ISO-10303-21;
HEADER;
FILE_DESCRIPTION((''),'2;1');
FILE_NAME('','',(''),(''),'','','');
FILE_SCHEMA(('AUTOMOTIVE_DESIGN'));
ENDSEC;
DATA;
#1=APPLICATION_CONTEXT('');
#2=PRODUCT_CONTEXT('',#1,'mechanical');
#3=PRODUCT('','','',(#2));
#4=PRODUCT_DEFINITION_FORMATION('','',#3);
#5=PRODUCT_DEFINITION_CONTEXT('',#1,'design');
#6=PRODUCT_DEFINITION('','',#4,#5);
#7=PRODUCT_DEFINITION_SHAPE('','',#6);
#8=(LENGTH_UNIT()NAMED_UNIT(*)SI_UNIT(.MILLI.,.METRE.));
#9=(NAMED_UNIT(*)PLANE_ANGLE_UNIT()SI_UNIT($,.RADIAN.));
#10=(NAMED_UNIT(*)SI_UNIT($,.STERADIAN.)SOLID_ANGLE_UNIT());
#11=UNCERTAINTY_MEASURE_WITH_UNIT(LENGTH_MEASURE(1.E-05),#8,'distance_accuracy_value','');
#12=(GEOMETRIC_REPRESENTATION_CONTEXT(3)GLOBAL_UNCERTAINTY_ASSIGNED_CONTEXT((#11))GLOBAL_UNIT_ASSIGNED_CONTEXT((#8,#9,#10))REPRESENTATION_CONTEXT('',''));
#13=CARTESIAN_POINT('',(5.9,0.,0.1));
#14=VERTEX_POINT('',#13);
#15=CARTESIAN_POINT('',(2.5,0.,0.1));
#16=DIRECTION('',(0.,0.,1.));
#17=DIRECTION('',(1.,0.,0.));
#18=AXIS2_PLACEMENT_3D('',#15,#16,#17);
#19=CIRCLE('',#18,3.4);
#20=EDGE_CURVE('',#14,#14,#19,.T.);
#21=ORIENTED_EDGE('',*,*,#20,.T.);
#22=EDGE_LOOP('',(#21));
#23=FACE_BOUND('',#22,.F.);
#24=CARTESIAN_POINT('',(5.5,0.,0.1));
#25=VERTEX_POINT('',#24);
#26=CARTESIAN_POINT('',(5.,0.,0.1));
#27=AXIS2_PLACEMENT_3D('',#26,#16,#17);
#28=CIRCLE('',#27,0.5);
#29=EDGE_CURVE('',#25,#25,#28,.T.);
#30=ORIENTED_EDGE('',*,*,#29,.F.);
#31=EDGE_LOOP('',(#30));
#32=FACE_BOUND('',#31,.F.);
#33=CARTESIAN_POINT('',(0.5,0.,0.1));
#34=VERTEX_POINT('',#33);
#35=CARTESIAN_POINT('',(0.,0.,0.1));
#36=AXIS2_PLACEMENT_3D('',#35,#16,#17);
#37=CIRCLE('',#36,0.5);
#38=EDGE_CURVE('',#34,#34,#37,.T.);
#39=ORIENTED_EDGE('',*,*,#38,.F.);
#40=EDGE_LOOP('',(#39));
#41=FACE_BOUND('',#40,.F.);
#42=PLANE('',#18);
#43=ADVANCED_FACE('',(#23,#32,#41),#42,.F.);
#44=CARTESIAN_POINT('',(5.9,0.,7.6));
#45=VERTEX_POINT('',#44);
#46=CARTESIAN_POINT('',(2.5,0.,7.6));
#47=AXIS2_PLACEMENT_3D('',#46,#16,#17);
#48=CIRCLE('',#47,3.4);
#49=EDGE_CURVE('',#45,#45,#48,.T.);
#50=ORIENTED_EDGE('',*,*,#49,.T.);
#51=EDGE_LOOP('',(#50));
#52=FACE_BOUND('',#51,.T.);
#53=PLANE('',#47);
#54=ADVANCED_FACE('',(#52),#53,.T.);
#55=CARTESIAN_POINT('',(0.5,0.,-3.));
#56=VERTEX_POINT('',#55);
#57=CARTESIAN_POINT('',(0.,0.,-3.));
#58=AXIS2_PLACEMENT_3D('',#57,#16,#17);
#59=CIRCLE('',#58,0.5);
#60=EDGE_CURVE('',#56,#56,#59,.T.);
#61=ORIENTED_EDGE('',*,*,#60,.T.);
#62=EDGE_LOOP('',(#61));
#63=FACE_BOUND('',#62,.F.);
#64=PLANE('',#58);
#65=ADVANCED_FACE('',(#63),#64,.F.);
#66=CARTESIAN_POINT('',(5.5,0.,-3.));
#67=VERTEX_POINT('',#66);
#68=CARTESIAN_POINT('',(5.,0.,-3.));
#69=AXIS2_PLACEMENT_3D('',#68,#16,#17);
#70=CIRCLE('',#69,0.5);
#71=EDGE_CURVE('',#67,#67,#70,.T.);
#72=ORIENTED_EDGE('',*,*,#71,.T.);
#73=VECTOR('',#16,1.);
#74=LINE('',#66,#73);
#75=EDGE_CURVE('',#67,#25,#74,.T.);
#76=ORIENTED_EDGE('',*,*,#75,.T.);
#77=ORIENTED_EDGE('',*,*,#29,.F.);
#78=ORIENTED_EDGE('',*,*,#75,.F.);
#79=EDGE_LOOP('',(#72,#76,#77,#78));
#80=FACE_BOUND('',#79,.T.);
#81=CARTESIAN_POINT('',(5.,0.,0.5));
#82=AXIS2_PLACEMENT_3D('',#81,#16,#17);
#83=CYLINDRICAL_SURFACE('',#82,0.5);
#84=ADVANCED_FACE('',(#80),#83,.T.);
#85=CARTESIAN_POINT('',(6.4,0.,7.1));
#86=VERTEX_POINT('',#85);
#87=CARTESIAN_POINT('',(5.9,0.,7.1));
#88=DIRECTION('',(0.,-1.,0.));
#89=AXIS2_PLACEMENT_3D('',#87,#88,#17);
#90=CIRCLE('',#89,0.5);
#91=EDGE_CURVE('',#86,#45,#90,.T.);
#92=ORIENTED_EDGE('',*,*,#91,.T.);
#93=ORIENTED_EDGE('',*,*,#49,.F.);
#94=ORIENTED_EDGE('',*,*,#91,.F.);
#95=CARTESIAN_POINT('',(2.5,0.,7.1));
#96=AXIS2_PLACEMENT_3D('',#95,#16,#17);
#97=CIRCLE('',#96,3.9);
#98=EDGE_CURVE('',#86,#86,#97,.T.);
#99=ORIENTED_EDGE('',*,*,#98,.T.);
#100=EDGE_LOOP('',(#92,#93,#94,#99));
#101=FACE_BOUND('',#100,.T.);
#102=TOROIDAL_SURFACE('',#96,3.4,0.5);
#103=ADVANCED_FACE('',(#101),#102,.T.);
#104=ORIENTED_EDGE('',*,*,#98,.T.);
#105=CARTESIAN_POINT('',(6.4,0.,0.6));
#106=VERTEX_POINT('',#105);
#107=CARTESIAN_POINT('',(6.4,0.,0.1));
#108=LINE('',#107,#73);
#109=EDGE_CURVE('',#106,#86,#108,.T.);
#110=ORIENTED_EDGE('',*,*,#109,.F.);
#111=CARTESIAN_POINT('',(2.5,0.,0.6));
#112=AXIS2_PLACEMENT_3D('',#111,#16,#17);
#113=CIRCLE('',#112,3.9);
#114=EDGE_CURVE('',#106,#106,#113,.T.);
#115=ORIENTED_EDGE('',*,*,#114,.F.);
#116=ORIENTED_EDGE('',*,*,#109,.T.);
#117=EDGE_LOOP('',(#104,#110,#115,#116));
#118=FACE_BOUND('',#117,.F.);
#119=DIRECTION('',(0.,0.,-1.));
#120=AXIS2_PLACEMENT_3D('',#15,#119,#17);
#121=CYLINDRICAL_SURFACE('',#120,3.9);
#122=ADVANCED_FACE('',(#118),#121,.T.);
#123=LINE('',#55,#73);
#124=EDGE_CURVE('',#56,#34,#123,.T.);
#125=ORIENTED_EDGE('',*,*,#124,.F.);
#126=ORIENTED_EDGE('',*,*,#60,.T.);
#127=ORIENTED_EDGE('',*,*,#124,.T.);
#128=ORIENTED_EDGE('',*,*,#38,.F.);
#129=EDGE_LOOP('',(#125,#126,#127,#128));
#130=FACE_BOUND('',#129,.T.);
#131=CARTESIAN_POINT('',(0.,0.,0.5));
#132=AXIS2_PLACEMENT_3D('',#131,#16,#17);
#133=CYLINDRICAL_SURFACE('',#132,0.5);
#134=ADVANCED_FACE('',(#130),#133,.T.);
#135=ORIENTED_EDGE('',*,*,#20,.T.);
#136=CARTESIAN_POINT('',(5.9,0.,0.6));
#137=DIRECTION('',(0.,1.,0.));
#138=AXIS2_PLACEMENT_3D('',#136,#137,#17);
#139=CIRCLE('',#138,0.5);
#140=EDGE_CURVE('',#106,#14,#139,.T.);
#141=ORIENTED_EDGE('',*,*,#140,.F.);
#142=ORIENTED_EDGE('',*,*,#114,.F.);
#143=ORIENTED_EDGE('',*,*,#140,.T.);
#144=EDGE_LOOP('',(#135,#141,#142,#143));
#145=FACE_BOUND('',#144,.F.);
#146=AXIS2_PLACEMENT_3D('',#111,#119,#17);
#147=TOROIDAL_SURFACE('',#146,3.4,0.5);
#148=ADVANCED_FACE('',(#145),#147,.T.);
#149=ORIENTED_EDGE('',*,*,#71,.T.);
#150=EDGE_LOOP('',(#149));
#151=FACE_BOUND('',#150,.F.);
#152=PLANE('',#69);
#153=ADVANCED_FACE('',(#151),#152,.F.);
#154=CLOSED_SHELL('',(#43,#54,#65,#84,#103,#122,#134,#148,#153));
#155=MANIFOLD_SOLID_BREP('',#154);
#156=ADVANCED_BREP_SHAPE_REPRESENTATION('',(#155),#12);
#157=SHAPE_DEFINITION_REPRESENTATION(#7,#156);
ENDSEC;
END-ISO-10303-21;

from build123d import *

# Parameters (mm, degrees)
SKETCH001_R       = 0.5
PAD001_DEPTH      = 3.75
PAD001_DEPTH_BACK = 3.5
SKETCH_R          = 3.9
PAD_DEPTH         = 7.5
FILLET_R          = 0.5


with BuildPart() as pad001:
    # Sketch001 → Pad001 (new body, two sides)
    with BuildSketch(Plane.XY.offset(0.5)) as pad001_sk:
        Circle(SKETCH001_R)
        with Locations((5, 0)):
            Circle(SKETCH001_R)
    extrude(amount=PAD001_DEPTH)
    extrude(pad001_sk.sketch, amount=-PAD001_DEPTH_BACK)


with BuildPart() as l_radial_d7_8mm_p5_00mm_fastron_07hcp:
    # Sketch → Pad (new body)
    with BuildSketch(Plane.XY.offset(0.1)):
        with Locations((2.5, 0)):
            Circle(SKETCH_R)
    extrude(amount=PAD_DEPTH)

    # Fillet
    fillet_edges = [l_radial_d7_8mm_p5_00mm_fastron_07hcp.edges().sort_by_distance(p)[0] for p in [
        (-1.4, 0, 0.1),
        (-1.4, 0, 7.6),
    ]]
    fillet(fillet_edges, radius=FILLET_R)

    # Fillet_mp_cp: union Pad001
    add(pad001.part)


solid = l_radial_d7_8mm_p5_00mm_fastron_07hcp.part
